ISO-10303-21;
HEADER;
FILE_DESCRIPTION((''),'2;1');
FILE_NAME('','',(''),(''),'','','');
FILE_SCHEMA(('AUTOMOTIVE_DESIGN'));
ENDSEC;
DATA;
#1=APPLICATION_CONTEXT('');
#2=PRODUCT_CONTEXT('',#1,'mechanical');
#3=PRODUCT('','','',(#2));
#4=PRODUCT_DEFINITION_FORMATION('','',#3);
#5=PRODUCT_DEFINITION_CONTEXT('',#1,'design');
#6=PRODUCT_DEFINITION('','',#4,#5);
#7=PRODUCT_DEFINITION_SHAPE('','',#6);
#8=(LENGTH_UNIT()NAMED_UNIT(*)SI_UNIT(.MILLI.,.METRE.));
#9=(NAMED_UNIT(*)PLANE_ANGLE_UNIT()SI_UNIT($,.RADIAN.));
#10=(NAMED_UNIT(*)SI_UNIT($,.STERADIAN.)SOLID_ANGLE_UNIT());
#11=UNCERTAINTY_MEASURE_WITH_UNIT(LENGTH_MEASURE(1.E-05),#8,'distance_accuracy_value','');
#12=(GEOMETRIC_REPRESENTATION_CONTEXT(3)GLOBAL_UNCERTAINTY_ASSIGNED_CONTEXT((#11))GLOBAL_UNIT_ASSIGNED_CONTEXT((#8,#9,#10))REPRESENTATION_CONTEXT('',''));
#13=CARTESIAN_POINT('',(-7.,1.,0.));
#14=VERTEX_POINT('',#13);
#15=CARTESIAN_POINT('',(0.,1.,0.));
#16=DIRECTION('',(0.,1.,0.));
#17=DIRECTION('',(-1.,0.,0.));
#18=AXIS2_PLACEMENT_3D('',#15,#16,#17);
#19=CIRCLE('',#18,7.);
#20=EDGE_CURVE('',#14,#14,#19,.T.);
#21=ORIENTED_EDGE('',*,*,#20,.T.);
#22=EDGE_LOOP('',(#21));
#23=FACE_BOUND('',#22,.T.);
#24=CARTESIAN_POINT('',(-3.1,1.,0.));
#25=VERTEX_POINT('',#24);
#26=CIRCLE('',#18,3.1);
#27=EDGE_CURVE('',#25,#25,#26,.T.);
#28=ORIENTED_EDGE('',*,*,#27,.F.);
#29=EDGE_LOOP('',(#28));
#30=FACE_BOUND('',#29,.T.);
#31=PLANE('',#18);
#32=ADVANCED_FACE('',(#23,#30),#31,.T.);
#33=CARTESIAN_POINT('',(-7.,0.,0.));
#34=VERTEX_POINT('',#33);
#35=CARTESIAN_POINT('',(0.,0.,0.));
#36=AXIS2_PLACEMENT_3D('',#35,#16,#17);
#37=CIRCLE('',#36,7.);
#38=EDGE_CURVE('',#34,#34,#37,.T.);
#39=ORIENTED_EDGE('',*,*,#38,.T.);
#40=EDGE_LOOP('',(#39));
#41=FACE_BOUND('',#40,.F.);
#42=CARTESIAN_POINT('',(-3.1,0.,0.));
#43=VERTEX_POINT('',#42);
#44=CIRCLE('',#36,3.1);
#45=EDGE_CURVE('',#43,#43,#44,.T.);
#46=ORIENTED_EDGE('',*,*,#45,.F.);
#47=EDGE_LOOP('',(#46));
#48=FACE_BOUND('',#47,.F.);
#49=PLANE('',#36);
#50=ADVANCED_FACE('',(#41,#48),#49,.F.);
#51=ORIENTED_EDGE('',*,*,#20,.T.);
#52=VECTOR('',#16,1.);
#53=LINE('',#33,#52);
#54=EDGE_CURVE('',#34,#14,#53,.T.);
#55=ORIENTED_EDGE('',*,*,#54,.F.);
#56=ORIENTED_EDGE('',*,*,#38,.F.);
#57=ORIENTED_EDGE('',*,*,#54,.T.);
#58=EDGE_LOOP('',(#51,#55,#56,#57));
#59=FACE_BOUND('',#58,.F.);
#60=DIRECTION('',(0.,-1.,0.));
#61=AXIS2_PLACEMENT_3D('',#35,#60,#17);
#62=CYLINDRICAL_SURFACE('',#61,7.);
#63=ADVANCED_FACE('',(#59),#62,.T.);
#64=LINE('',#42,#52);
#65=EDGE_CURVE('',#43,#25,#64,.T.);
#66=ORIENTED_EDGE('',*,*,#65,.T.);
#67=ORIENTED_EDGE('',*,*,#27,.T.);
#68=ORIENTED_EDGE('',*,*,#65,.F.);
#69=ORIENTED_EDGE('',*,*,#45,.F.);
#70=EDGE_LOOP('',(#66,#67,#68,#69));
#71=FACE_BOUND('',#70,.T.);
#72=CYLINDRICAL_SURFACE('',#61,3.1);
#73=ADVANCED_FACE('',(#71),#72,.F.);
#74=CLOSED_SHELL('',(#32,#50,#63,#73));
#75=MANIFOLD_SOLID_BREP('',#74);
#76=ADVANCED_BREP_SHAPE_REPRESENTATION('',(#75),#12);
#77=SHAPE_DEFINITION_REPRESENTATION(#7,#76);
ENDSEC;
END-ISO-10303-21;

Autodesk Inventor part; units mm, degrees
ref_plane "YZ Plane" through (0, 0, 0) normal (1, 0, 0) x (0, 1, 0)
ref_plane "XZ Plane" through (0, 0, 0) normal (0, 1, 0) x (-1, 0, 0)
ref_plane "XY Plane" through (0, 0, 0) normal (0, 0, 1) x (1, 0, 0)
sketch "スケッチ1" plane through (0, 0, 0) normal (0, 1, 0) x (-1, 0, 0)
  circle A0 centre (0, 0) radius 3.1
  circle A1 centre (0, 0) radius 7
  dimension "d0" = 6.2
  dimension "d1" = 14
extrude "押し出し1" add sketch "スケッチ1" along normal blind 1
properties part number "ワッシャー6.2,14.1t" material "UHMW、白"
